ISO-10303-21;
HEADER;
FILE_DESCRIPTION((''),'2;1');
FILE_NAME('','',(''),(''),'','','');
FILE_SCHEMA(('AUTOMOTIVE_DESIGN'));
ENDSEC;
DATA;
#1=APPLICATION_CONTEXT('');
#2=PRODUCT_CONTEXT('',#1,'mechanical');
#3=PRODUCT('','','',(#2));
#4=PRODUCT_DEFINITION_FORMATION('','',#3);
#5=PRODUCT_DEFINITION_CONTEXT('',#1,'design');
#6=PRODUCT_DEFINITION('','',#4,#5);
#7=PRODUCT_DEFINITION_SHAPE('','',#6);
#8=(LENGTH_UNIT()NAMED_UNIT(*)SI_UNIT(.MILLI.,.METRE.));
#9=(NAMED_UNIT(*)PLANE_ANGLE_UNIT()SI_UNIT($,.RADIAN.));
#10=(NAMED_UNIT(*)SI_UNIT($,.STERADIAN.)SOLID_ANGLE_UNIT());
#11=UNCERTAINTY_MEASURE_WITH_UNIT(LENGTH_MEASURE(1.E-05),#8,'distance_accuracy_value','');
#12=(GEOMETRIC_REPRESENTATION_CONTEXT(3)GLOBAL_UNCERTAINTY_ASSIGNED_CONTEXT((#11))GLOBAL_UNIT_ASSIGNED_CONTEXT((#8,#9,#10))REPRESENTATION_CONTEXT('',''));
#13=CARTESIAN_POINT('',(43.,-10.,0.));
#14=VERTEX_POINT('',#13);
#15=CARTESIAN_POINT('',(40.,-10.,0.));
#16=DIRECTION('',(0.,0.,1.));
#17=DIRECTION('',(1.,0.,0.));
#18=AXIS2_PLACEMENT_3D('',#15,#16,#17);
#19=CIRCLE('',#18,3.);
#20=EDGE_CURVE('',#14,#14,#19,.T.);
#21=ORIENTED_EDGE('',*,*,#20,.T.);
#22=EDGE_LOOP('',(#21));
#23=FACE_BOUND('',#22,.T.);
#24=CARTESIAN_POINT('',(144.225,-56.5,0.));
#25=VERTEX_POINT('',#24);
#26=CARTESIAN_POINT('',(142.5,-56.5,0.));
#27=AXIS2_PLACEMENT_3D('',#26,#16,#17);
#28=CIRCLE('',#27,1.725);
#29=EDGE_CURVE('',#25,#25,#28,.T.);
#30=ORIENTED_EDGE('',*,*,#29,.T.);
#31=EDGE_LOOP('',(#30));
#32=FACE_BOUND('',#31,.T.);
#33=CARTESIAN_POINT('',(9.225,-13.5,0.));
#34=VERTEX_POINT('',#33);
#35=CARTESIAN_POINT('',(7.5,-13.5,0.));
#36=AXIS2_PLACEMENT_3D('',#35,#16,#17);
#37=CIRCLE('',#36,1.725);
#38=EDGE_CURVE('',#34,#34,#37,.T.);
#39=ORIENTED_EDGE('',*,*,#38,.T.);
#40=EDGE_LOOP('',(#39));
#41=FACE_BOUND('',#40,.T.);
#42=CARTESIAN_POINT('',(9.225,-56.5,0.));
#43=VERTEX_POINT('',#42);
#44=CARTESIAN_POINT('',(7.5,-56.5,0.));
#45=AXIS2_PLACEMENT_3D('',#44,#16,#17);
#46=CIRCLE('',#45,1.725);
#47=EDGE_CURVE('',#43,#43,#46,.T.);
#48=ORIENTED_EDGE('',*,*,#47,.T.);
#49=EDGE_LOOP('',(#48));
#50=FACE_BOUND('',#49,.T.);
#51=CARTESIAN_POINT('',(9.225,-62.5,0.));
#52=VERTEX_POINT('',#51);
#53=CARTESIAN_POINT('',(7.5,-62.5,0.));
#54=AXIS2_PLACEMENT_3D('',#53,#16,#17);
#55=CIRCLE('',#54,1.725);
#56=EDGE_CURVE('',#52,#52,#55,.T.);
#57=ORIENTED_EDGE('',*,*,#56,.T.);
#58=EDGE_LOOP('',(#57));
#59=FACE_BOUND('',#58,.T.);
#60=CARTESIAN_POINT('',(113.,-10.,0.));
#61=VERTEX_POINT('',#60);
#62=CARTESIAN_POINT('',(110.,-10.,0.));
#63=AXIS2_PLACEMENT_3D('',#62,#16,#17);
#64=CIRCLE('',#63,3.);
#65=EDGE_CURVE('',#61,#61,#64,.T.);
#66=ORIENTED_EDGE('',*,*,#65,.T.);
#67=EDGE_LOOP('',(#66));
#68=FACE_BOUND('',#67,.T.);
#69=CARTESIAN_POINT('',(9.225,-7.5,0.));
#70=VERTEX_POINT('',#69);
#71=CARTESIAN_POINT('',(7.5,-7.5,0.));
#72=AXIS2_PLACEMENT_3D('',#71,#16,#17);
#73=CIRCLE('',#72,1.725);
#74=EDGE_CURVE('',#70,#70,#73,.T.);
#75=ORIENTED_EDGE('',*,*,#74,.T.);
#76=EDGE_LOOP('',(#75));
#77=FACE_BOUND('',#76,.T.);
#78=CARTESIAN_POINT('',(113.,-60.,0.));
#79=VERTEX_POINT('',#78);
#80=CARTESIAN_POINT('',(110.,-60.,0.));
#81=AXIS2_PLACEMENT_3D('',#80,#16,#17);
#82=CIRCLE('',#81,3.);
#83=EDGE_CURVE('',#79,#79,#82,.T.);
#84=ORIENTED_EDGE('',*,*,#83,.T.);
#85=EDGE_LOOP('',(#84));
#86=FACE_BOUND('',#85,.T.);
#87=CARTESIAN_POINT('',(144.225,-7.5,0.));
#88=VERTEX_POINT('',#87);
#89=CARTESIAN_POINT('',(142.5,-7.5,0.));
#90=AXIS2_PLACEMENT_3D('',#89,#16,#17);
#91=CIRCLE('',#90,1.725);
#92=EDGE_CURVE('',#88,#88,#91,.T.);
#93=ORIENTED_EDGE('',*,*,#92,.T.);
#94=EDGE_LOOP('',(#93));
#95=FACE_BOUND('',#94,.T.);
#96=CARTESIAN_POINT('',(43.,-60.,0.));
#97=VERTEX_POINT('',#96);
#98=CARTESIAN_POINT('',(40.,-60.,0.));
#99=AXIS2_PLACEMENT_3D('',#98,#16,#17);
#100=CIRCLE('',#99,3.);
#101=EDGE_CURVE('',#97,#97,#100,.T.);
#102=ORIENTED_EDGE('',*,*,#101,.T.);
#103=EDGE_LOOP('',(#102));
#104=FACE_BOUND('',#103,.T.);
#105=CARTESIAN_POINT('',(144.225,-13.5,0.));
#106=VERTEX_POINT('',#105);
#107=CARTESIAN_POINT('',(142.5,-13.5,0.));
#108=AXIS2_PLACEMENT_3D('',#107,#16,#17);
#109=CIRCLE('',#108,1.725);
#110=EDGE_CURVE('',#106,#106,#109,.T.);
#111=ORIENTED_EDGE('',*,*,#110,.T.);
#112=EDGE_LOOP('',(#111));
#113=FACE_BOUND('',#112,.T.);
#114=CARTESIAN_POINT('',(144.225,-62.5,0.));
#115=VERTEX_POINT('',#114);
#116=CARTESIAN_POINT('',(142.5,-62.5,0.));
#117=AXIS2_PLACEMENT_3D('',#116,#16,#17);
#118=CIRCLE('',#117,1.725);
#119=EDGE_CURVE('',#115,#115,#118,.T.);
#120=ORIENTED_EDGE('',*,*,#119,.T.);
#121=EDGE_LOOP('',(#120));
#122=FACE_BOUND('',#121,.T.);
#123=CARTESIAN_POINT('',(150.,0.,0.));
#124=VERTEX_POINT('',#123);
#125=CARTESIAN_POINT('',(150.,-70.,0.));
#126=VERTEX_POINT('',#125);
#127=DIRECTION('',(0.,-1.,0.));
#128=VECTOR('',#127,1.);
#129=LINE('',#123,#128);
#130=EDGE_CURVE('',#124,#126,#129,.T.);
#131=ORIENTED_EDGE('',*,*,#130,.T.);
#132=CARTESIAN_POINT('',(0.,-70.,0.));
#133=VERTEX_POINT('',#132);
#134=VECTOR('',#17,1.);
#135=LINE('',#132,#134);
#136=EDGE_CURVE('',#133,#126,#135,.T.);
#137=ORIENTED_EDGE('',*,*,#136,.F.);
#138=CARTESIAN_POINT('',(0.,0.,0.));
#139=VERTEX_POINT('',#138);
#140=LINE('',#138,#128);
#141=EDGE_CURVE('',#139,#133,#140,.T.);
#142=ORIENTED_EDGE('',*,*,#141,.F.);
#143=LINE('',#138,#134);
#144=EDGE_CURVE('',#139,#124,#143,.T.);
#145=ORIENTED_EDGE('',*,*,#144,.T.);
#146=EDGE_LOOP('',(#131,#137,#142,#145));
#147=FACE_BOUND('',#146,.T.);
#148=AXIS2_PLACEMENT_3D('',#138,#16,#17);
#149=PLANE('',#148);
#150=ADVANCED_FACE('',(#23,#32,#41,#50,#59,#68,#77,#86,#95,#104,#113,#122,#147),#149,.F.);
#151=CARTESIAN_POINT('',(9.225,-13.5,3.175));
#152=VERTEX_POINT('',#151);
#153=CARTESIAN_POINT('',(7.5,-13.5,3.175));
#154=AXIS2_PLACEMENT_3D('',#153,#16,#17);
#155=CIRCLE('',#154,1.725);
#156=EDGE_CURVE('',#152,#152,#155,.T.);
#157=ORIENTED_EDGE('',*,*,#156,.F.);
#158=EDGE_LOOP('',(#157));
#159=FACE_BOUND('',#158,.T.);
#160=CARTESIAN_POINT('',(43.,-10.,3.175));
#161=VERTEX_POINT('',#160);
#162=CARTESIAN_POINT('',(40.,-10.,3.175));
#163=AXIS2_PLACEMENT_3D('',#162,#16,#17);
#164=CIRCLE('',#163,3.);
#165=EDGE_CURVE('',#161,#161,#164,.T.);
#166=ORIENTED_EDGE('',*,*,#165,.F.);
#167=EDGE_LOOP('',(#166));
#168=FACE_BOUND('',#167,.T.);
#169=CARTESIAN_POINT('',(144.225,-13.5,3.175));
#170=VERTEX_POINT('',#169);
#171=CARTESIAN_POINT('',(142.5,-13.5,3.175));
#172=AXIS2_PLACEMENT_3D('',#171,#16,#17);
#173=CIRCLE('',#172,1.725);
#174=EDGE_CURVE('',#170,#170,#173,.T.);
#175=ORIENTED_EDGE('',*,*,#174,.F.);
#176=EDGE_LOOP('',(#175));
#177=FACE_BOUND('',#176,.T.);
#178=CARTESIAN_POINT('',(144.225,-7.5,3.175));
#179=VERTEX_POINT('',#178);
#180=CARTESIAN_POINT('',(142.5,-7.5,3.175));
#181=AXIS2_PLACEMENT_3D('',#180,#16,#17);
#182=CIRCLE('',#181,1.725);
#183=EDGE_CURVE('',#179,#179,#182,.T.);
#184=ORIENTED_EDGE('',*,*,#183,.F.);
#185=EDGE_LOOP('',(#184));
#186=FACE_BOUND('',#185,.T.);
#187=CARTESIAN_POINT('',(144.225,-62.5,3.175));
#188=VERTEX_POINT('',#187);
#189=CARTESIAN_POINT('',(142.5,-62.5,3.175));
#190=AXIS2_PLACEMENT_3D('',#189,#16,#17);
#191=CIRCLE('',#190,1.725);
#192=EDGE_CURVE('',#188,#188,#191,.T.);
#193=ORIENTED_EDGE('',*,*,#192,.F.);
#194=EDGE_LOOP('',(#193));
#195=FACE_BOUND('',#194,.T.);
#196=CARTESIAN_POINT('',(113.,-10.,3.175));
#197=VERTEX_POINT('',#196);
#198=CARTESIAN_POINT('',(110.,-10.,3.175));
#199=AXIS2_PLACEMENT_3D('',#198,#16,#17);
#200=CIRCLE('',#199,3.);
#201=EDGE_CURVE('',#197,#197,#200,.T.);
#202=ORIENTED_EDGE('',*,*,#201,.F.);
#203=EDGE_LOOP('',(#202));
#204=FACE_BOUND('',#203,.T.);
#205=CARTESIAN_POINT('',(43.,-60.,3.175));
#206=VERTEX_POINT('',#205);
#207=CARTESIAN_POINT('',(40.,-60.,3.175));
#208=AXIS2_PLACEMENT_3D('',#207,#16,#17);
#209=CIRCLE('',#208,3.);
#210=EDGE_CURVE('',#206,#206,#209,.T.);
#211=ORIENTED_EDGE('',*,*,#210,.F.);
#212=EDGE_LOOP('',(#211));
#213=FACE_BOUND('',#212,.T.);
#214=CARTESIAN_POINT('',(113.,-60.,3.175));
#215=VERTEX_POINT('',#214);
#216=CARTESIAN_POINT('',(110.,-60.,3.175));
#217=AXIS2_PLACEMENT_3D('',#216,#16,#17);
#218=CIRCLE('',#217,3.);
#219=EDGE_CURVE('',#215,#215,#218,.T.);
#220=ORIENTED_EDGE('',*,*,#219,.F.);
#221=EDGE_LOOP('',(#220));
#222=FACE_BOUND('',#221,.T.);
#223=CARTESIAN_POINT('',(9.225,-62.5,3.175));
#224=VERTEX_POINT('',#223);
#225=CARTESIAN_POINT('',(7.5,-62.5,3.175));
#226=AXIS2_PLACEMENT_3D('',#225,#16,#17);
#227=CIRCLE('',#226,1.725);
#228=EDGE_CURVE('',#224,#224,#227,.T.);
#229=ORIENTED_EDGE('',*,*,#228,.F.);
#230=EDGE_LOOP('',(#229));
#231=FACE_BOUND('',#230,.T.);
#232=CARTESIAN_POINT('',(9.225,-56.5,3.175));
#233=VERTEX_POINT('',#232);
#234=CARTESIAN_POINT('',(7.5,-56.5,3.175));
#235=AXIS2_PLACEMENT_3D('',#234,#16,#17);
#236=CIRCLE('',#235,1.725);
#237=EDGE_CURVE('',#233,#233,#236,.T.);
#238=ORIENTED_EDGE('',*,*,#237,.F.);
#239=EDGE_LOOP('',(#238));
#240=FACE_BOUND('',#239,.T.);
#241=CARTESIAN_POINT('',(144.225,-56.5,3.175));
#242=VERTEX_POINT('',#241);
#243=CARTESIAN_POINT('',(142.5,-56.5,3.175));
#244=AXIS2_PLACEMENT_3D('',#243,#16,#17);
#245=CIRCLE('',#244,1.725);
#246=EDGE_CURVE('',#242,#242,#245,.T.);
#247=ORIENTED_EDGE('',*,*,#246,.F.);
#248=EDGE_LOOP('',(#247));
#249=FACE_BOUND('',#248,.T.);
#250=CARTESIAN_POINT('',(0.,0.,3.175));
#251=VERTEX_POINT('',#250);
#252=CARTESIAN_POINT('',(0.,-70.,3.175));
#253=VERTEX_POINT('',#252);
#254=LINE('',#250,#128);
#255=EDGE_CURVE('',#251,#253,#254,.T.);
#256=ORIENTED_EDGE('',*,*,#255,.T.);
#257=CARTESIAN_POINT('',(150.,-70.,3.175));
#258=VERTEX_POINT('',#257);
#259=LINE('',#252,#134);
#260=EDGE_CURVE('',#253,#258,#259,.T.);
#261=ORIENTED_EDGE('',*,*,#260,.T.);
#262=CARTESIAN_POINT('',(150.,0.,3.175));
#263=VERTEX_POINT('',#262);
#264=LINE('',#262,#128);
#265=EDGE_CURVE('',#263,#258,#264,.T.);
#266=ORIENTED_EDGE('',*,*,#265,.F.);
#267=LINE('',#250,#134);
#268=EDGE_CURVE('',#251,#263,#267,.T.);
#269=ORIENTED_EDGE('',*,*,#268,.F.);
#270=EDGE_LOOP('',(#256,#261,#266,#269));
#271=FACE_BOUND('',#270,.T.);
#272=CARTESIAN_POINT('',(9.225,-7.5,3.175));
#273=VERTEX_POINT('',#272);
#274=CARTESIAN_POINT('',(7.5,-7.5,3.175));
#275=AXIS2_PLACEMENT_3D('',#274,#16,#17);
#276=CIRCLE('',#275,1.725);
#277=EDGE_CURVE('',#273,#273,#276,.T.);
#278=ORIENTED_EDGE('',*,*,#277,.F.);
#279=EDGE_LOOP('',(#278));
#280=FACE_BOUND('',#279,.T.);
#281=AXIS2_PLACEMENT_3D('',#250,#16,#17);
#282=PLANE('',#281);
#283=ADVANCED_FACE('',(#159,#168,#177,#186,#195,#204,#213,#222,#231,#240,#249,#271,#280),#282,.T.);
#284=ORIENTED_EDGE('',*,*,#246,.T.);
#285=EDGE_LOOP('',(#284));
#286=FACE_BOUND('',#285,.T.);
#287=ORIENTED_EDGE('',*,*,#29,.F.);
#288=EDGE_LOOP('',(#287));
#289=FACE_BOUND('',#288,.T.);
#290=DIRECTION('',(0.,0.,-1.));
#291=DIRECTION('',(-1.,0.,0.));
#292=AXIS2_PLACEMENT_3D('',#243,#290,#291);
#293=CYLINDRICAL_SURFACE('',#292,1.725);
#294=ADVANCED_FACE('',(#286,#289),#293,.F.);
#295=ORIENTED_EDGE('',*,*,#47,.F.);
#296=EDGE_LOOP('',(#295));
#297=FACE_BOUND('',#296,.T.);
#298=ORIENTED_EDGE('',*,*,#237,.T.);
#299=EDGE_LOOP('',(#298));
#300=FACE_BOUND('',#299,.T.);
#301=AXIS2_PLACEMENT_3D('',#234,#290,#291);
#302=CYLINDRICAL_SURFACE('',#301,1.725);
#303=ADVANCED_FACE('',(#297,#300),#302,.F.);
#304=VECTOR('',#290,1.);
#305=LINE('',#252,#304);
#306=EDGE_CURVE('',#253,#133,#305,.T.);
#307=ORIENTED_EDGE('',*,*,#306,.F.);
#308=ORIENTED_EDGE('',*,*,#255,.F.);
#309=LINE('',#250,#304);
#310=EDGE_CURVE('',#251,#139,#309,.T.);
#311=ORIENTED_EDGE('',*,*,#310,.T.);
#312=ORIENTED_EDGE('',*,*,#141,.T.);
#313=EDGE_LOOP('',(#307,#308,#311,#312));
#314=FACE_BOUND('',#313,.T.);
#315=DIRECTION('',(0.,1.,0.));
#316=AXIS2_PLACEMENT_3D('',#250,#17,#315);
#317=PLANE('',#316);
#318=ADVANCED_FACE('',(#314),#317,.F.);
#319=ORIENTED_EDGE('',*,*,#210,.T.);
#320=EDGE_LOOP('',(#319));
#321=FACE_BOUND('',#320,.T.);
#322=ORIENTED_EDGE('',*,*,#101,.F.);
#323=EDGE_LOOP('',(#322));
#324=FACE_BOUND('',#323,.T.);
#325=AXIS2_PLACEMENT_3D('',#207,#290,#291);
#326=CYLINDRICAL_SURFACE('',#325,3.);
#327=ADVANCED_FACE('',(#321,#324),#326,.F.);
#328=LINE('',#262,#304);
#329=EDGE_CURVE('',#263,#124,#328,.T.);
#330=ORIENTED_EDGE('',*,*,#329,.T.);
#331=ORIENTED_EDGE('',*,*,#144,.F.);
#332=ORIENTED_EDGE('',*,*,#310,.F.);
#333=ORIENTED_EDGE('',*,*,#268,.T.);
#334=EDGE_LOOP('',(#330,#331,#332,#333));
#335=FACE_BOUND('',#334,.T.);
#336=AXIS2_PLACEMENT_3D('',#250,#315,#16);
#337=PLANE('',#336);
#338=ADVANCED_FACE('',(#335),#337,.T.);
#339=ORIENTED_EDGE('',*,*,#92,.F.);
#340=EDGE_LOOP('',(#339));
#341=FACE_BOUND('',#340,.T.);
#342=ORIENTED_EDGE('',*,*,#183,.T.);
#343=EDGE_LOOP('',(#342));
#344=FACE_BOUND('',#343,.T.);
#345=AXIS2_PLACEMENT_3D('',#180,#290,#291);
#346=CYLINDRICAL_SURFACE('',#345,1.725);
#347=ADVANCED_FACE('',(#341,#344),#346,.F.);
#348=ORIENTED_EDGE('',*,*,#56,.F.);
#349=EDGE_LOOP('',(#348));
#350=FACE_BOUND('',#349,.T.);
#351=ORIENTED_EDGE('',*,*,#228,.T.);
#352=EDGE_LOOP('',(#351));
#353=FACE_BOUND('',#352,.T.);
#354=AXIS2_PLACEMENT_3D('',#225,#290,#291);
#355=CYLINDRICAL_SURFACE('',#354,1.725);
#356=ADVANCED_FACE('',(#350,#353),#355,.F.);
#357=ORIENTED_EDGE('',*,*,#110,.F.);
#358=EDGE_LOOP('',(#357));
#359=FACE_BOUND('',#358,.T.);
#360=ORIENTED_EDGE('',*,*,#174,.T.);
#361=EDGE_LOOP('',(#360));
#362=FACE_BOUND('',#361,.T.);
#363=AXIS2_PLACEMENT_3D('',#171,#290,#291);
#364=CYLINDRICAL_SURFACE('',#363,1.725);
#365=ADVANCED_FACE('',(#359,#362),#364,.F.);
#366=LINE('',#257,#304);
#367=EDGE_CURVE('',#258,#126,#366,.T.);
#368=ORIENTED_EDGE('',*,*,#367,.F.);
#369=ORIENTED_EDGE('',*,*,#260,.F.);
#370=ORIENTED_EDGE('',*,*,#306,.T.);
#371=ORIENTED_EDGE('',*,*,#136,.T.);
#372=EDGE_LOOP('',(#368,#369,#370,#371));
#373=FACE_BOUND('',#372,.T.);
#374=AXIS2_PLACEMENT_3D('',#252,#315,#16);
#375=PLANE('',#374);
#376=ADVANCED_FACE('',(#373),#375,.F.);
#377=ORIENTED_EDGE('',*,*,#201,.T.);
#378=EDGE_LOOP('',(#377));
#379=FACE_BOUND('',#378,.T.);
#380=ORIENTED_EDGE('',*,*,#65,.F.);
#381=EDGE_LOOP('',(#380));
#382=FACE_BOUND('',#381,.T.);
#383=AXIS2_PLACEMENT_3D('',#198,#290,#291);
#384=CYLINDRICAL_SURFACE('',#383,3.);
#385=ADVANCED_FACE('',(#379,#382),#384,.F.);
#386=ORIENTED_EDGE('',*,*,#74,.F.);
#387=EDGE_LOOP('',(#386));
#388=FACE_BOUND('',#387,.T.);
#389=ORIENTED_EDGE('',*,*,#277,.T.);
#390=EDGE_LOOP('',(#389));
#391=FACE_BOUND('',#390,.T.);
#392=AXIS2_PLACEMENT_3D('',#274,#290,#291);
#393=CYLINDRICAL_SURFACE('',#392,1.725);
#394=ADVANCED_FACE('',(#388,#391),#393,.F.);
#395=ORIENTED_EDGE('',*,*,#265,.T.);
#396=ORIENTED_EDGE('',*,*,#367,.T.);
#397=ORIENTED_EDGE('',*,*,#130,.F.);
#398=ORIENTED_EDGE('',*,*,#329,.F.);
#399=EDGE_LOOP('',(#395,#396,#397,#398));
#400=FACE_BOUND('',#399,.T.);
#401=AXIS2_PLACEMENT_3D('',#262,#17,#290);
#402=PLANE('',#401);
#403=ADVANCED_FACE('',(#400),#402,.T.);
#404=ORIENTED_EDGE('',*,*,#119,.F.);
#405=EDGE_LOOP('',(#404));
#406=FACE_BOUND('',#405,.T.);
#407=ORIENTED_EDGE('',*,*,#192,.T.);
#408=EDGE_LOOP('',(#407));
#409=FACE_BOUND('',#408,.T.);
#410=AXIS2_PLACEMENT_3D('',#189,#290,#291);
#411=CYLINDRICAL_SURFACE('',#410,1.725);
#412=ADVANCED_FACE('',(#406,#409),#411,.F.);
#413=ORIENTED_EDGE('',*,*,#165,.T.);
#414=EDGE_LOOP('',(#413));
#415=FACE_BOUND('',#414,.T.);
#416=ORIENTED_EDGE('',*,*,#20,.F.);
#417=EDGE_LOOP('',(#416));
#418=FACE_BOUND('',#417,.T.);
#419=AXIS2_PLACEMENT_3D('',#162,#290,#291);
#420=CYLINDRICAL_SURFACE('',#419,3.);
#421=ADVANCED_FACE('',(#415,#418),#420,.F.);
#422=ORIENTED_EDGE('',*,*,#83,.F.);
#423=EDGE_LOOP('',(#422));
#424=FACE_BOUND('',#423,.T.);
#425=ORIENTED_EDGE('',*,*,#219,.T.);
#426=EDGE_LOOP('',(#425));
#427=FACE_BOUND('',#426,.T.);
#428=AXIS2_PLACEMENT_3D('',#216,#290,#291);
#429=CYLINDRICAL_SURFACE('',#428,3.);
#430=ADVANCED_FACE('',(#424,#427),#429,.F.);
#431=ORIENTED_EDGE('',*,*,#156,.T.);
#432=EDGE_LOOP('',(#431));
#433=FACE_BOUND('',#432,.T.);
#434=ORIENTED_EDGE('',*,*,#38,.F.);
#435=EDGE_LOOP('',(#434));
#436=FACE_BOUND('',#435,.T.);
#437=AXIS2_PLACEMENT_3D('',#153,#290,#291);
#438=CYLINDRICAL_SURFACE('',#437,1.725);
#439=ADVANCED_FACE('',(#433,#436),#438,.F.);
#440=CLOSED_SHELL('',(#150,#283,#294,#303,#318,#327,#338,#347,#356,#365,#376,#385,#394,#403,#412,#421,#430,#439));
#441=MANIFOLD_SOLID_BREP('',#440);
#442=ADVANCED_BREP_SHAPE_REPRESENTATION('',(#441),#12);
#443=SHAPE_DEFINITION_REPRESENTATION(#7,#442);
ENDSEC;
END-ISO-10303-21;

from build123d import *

# Parameters (mm, degrees)
SKETCH1_W           = 150
SKETCH1_H           = 70
SKETCH1_R           = 1.725
SKETCH1_R_2         = 3
BOSS_EXTRUDE1_DEPTH = 3.175


with BuildPart() as part:
    # Sketch1 → Boss-Extrude1 (new body)
    with BuildSketch(Plane.XY):
        with Locations((75, -35)):
            Rectangle(SKETCH1_W, SKETCH1_H)
        with Locations((7.5, -7.5)):
            Circle(SKETCH1_R, mode=Mode.SUBTRACT)
        with Locations((142.5, -7.5)):
            Circle(SKETCH1_R, mode=Mode.SUBTRACT)
        with Locations((142.5, -62.5)):
            Circle(SKETCH1_R, mode=Mode.SUBTRACT)
        with Locations((7.5, -62.5)):
            Circle(SKETCH1_R, mode=Mode.SUBTRACT)
        with Locations((7.5, -13.5)):
            Circle(SKETCH1_R, mode=Mode.SUBTRACT)
        with Locations((142.5, -13.5)):
            Circle(SKETCH1_R, mode=Mode.SUBTRACT)
        with Locations((142.5, -56.5)):
            Circle(SKETCH1_R, mode=Mode.SUBTRACT)
        with Locations((7.5, -56.5)):
            Circle(SKETCH1_R, mode=Mode.SUBTRACT)
        with Locations((40, -10)):
            Circle(SKETCH1_R_2, mode=Mode.SUBTRACT)
        with Locations((40, -60)):
            Circle(SKETCH1_R_2, mode=Mode.SUBTRACT)
        with Locations((110, -10)):
            Circle(SKETCH1_R_2, mode=Mode.SUBTRACT)
        with Locations((110, -60)):
            Circle(SKETCH1_R_2, mode=Mode.SUBTRACT)
    extrude(amount=BOSS_EXTRUDE1_DEPTH)


solid = part.part
